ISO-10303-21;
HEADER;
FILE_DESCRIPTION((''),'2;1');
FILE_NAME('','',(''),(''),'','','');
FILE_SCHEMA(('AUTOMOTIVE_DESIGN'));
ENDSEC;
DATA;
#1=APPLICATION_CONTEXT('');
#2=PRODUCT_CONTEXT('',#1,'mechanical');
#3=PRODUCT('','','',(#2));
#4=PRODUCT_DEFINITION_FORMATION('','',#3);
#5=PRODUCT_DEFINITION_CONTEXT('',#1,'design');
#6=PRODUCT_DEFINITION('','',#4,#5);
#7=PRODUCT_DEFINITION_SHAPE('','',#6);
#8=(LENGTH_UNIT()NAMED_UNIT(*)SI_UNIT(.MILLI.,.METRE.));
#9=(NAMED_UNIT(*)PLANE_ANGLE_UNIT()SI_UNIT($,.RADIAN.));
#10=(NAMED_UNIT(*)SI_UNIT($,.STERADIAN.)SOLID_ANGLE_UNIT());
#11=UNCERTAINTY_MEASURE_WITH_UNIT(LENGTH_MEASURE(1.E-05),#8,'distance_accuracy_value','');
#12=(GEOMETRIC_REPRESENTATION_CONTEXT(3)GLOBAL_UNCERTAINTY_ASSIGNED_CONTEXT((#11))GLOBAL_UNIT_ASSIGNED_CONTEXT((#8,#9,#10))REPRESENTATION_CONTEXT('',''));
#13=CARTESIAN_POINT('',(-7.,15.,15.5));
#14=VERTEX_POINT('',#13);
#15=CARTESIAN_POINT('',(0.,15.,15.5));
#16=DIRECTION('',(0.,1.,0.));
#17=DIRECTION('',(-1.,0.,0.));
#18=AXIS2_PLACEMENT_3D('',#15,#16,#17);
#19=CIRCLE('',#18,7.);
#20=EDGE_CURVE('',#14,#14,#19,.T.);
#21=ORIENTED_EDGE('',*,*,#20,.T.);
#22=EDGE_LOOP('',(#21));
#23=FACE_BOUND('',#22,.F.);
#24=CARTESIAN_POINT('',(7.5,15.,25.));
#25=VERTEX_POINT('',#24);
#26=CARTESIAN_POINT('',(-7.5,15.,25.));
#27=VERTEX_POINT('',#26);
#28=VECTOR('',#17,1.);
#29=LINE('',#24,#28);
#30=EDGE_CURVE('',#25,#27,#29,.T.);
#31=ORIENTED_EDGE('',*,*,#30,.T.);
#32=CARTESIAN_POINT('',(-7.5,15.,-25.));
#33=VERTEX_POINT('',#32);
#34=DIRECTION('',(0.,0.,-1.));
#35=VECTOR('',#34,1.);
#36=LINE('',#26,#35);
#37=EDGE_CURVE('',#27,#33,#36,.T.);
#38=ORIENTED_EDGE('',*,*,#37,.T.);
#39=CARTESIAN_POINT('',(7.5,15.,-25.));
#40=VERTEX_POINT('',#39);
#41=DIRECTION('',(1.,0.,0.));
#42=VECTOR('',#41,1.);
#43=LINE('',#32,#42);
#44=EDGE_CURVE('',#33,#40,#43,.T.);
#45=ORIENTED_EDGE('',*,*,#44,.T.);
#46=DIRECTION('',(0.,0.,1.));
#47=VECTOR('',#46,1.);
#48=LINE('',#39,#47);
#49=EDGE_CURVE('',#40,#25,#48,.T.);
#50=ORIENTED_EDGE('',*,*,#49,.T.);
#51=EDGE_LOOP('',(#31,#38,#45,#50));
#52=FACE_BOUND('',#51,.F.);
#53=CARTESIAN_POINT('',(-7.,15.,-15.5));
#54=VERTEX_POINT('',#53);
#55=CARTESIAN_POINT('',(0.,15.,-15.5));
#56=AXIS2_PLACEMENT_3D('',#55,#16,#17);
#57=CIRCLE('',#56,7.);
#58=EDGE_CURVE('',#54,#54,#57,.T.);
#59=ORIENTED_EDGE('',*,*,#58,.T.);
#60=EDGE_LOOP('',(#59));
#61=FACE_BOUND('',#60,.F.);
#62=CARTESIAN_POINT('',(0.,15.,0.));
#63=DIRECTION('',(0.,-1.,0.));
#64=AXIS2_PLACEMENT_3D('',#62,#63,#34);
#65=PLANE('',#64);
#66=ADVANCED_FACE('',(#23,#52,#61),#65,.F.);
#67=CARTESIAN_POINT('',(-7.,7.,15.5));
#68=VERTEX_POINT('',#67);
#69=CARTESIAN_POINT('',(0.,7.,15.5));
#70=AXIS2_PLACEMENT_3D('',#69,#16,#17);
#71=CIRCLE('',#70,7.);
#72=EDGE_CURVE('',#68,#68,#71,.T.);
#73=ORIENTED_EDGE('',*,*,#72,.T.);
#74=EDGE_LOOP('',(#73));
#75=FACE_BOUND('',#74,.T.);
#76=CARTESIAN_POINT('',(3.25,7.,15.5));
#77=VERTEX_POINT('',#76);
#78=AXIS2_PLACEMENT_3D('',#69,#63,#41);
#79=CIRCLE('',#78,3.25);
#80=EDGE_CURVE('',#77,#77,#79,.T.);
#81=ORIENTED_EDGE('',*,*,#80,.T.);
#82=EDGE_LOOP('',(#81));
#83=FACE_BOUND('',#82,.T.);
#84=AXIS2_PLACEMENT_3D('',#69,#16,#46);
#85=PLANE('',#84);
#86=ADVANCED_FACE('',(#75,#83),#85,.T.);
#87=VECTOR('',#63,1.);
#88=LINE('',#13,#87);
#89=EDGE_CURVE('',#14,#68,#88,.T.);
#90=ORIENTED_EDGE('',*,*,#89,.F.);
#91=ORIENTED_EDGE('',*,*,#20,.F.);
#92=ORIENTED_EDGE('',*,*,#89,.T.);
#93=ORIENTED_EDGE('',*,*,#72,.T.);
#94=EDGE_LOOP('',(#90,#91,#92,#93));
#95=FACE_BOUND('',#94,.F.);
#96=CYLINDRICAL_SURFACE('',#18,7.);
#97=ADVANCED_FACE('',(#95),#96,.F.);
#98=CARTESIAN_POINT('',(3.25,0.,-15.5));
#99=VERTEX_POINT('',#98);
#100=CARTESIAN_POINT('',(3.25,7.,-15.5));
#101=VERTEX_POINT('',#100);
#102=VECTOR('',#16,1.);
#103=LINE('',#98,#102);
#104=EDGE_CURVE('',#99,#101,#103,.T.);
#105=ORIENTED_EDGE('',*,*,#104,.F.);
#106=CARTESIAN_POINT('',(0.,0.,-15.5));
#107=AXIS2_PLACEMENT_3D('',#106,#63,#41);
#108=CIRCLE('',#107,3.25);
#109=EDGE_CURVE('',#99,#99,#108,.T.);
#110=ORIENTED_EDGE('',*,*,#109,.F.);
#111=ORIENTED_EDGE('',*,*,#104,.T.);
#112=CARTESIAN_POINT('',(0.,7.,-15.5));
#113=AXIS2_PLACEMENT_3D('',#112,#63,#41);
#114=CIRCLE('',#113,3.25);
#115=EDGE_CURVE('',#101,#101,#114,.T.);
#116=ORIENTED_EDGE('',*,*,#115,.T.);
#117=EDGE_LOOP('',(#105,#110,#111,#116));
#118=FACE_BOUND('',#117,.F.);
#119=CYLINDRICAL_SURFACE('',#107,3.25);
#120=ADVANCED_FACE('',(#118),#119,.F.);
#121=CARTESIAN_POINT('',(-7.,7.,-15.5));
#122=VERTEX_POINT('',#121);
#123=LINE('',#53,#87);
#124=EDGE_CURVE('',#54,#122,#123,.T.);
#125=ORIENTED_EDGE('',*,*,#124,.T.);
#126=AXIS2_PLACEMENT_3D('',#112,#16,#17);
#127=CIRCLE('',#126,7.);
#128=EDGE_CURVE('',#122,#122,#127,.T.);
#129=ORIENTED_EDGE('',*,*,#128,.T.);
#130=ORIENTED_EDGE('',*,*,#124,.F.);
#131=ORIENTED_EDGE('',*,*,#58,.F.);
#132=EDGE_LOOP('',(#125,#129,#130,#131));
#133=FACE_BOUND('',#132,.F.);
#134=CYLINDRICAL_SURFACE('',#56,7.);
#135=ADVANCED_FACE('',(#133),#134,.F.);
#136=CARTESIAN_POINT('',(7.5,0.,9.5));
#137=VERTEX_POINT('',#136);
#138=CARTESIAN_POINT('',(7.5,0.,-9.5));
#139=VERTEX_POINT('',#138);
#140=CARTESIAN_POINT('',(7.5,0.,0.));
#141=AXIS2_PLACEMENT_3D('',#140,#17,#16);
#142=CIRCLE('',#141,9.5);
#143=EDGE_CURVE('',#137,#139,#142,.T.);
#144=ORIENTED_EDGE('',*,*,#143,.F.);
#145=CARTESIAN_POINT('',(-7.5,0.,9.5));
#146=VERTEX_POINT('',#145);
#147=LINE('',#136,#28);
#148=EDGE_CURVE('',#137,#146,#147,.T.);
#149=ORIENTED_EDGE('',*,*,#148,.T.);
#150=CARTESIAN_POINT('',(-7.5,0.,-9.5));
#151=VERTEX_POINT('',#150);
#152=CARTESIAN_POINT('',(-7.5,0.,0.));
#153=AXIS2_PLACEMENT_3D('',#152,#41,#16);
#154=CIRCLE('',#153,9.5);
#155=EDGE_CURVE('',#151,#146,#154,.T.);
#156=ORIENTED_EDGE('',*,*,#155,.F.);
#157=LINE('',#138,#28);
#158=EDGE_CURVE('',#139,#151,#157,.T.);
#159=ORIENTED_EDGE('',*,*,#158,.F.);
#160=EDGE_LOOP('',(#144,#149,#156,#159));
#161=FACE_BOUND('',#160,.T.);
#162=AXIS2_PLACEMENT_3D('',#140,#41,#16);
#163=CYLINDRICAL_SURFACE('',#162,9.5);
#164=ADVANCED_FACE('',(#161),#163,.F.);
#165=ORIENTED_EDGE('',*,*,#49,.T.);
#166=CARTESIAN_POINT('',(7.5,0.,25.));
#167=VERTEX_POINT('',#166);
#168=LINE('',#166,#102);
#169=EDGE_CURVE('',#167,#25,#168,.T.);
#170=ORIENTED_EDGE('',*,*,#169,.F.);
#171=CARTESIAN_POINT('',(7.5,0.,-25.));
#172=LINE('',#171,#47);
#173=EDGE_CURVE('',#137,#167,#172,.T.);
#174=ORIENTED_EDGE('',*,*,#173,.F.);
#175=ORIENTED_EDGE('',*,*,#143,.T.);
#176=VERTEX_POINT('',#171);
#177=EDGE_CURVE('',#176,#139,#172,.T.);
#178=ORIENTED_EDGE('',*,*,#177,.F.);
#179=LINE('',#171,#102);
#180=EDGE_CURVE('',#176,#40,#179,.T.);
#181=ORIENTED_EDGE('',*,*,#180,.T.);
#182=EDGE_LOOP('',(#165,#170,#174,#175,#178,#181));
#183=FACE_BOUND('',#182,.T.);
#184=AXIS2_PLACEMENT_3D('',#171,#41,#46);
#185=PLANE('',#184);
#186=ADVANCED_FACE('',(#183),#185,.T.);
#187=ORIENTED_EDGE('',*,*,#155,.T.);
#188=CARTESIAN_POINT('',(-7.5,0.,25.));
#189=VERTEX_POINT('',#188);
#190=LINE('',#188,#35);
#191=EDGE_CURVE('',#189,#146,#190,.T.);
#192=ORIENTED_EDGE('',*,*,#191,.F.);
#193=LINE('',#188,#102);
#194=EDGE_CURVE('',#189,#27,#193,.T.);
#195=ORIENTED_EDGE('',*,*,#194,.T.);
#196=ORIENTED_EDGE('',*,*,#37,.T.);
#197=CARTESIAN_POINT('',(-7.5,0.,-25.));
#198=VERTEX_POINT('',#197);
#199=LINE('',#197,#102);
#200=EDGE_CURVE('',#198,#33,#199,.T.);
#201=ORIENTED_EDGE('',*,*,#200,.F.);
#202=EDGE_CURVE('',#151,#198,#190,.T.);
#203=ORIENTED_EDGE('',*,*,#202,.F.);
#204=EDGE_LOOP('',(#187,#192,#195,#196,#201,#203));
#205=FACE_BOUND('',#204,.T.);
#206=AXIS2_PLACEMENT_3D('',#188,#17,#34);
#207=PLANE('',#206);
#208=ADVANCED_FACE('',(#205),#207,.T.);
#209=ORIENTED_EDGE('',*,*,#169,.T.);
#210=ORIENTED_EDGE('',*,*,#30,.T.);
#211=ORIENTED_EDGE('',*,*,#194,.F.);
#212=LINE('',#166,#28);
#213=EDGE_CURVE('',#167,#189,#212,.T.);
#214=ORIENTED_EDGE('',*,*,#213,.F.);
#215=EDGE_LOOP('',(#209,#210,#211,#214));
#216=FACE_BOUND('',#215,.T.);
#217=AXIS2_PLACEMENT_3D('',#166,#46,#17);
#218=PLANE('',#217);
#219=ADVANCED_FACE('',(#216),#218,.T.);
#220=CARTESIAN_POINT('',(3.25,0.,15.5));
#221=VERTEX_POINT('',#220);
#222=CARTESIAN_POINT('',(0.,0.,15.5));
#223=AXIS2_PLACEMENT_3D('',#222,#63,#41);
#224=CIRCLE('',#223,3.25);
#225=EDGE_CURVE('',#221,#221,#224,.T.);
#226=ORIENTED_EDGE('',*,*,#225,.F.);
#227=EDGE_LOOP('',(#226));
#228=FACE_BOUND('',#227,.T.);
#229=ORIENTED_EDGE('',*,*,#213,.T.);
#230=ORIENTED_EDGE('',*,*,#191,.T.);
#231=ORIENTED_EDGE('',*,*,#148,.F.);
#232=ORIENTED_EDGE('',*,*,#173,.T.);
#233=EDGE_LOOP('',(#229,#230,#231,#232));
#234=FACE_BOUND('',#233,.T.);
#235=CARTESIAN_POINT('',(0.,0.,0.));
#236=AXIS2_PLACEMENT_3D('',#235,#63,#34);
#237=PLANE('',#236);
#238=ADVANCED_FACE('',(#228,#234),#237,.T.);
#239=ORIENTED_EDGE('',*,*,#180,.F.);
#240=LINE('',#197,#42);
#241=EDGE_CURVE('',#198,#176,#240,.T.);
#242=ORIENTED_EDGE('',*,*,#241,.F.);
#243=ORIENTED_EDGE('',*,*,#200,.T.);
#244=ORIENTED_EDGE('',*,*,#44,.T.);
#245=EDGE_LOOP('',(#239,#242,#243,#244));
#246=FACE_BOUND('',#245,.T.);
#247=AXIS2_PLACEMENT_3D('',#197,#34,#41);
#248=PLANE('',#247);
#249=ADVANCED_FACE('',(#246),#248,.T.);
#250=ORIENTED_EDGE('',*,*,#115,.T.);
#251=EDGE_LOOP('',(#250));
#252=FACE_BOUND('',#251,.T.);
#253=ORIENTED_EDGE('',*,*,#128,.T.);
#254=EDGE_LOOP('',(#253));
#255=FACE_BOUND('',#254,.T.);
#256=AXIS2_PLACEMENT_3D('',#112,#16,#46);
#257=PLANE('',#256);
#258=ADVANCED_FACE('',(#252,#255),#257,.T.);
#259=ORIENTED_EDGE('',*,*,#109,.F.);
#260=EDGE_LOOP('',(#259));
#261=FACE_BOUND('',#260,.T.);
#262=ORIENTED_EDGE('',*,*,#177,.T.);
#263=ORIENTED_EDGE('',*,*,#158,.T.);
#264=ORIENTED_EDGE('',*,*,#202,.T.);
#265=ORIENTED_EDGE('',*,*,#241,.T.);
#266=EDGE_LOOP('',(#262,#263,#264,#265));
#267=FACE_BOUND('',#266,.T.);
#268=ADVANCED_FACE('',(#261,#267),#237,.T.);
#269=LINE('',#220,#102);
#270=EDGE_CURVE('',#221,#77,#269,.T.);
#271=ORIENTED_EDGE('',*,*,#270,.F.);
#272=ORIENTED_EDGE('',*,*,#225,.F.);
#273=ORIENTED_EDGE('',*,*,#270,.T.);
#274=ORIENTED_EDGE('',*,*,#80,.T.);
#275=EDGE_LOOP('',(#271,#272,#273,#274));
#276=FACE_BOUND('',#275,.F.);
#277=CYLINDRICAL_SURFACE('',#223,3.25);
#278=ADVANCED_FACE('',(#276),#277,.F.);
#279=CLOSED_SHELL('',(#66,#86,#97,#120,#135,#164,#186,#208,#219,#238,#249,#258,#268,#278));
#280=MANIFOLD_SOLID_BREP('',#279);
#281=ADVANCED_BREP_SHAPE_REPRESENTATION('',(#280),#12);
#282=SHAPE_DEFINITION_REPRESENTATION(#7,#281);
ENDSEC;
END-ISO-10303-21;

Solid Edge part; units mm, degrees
sketch "Sketch1" plane through (0, 0, 0) normal (0, -1, 0) x (1, 0, 0)
  line L0 (-7.5, -25) -> (7.5, -25)
  line L1 (7.5, -25) -> (7.5, 25)
  line L2 (7.5, 25) -> (-7.5, 25)
  line L3 (-7.5, 25) -> (-7.5, -25)
  dimension "D1" = 15
  dimension "D2" = 50
extrude "Protrusion1" add sketch "Sketch1" against normal blind 15
sketch "Sketch2" plane through (7.5, 7.5, 0) normal (1, 0, 0) x (0, 1, 0)
  line L0 (-7.5, 9.5) -> (-7.5, -9.5)
  arc A0 (-7.5, 9.5) -> (-7.5, -9.5) centre (-7.5, 0) cw
extrude "Cutout1" cut sketch "Sketch2" against normal through all
sketch "Sketch3" plane through (0, 0, 0) normal (0, -1, 0) x (1, 0, 0)
  circle A0 centre (0, 15.5) radius 3.25
  circle A1 centre (0, -15.5) radius 3.25
  dimension "D1" = 15.5
  dimension "D2" = 6.5
  dimension "D3" = 15.5
extrude "Cutout2" cut sketch "Sketch3" against normal through all
sketch "Sketch4" plane through (0, 15, 0) normal (0, 1, 0) x (-1, 0, 0)
  circle A0 centre (0, 15.5) radius 7
  circle A1 centre (0, -15.5) radius 7
  dimension "D1" = 14
extrude "ExtrudedCutout_4" cut sketch "Sketch4" against normal blind 8
properties material "Stainless steel"
